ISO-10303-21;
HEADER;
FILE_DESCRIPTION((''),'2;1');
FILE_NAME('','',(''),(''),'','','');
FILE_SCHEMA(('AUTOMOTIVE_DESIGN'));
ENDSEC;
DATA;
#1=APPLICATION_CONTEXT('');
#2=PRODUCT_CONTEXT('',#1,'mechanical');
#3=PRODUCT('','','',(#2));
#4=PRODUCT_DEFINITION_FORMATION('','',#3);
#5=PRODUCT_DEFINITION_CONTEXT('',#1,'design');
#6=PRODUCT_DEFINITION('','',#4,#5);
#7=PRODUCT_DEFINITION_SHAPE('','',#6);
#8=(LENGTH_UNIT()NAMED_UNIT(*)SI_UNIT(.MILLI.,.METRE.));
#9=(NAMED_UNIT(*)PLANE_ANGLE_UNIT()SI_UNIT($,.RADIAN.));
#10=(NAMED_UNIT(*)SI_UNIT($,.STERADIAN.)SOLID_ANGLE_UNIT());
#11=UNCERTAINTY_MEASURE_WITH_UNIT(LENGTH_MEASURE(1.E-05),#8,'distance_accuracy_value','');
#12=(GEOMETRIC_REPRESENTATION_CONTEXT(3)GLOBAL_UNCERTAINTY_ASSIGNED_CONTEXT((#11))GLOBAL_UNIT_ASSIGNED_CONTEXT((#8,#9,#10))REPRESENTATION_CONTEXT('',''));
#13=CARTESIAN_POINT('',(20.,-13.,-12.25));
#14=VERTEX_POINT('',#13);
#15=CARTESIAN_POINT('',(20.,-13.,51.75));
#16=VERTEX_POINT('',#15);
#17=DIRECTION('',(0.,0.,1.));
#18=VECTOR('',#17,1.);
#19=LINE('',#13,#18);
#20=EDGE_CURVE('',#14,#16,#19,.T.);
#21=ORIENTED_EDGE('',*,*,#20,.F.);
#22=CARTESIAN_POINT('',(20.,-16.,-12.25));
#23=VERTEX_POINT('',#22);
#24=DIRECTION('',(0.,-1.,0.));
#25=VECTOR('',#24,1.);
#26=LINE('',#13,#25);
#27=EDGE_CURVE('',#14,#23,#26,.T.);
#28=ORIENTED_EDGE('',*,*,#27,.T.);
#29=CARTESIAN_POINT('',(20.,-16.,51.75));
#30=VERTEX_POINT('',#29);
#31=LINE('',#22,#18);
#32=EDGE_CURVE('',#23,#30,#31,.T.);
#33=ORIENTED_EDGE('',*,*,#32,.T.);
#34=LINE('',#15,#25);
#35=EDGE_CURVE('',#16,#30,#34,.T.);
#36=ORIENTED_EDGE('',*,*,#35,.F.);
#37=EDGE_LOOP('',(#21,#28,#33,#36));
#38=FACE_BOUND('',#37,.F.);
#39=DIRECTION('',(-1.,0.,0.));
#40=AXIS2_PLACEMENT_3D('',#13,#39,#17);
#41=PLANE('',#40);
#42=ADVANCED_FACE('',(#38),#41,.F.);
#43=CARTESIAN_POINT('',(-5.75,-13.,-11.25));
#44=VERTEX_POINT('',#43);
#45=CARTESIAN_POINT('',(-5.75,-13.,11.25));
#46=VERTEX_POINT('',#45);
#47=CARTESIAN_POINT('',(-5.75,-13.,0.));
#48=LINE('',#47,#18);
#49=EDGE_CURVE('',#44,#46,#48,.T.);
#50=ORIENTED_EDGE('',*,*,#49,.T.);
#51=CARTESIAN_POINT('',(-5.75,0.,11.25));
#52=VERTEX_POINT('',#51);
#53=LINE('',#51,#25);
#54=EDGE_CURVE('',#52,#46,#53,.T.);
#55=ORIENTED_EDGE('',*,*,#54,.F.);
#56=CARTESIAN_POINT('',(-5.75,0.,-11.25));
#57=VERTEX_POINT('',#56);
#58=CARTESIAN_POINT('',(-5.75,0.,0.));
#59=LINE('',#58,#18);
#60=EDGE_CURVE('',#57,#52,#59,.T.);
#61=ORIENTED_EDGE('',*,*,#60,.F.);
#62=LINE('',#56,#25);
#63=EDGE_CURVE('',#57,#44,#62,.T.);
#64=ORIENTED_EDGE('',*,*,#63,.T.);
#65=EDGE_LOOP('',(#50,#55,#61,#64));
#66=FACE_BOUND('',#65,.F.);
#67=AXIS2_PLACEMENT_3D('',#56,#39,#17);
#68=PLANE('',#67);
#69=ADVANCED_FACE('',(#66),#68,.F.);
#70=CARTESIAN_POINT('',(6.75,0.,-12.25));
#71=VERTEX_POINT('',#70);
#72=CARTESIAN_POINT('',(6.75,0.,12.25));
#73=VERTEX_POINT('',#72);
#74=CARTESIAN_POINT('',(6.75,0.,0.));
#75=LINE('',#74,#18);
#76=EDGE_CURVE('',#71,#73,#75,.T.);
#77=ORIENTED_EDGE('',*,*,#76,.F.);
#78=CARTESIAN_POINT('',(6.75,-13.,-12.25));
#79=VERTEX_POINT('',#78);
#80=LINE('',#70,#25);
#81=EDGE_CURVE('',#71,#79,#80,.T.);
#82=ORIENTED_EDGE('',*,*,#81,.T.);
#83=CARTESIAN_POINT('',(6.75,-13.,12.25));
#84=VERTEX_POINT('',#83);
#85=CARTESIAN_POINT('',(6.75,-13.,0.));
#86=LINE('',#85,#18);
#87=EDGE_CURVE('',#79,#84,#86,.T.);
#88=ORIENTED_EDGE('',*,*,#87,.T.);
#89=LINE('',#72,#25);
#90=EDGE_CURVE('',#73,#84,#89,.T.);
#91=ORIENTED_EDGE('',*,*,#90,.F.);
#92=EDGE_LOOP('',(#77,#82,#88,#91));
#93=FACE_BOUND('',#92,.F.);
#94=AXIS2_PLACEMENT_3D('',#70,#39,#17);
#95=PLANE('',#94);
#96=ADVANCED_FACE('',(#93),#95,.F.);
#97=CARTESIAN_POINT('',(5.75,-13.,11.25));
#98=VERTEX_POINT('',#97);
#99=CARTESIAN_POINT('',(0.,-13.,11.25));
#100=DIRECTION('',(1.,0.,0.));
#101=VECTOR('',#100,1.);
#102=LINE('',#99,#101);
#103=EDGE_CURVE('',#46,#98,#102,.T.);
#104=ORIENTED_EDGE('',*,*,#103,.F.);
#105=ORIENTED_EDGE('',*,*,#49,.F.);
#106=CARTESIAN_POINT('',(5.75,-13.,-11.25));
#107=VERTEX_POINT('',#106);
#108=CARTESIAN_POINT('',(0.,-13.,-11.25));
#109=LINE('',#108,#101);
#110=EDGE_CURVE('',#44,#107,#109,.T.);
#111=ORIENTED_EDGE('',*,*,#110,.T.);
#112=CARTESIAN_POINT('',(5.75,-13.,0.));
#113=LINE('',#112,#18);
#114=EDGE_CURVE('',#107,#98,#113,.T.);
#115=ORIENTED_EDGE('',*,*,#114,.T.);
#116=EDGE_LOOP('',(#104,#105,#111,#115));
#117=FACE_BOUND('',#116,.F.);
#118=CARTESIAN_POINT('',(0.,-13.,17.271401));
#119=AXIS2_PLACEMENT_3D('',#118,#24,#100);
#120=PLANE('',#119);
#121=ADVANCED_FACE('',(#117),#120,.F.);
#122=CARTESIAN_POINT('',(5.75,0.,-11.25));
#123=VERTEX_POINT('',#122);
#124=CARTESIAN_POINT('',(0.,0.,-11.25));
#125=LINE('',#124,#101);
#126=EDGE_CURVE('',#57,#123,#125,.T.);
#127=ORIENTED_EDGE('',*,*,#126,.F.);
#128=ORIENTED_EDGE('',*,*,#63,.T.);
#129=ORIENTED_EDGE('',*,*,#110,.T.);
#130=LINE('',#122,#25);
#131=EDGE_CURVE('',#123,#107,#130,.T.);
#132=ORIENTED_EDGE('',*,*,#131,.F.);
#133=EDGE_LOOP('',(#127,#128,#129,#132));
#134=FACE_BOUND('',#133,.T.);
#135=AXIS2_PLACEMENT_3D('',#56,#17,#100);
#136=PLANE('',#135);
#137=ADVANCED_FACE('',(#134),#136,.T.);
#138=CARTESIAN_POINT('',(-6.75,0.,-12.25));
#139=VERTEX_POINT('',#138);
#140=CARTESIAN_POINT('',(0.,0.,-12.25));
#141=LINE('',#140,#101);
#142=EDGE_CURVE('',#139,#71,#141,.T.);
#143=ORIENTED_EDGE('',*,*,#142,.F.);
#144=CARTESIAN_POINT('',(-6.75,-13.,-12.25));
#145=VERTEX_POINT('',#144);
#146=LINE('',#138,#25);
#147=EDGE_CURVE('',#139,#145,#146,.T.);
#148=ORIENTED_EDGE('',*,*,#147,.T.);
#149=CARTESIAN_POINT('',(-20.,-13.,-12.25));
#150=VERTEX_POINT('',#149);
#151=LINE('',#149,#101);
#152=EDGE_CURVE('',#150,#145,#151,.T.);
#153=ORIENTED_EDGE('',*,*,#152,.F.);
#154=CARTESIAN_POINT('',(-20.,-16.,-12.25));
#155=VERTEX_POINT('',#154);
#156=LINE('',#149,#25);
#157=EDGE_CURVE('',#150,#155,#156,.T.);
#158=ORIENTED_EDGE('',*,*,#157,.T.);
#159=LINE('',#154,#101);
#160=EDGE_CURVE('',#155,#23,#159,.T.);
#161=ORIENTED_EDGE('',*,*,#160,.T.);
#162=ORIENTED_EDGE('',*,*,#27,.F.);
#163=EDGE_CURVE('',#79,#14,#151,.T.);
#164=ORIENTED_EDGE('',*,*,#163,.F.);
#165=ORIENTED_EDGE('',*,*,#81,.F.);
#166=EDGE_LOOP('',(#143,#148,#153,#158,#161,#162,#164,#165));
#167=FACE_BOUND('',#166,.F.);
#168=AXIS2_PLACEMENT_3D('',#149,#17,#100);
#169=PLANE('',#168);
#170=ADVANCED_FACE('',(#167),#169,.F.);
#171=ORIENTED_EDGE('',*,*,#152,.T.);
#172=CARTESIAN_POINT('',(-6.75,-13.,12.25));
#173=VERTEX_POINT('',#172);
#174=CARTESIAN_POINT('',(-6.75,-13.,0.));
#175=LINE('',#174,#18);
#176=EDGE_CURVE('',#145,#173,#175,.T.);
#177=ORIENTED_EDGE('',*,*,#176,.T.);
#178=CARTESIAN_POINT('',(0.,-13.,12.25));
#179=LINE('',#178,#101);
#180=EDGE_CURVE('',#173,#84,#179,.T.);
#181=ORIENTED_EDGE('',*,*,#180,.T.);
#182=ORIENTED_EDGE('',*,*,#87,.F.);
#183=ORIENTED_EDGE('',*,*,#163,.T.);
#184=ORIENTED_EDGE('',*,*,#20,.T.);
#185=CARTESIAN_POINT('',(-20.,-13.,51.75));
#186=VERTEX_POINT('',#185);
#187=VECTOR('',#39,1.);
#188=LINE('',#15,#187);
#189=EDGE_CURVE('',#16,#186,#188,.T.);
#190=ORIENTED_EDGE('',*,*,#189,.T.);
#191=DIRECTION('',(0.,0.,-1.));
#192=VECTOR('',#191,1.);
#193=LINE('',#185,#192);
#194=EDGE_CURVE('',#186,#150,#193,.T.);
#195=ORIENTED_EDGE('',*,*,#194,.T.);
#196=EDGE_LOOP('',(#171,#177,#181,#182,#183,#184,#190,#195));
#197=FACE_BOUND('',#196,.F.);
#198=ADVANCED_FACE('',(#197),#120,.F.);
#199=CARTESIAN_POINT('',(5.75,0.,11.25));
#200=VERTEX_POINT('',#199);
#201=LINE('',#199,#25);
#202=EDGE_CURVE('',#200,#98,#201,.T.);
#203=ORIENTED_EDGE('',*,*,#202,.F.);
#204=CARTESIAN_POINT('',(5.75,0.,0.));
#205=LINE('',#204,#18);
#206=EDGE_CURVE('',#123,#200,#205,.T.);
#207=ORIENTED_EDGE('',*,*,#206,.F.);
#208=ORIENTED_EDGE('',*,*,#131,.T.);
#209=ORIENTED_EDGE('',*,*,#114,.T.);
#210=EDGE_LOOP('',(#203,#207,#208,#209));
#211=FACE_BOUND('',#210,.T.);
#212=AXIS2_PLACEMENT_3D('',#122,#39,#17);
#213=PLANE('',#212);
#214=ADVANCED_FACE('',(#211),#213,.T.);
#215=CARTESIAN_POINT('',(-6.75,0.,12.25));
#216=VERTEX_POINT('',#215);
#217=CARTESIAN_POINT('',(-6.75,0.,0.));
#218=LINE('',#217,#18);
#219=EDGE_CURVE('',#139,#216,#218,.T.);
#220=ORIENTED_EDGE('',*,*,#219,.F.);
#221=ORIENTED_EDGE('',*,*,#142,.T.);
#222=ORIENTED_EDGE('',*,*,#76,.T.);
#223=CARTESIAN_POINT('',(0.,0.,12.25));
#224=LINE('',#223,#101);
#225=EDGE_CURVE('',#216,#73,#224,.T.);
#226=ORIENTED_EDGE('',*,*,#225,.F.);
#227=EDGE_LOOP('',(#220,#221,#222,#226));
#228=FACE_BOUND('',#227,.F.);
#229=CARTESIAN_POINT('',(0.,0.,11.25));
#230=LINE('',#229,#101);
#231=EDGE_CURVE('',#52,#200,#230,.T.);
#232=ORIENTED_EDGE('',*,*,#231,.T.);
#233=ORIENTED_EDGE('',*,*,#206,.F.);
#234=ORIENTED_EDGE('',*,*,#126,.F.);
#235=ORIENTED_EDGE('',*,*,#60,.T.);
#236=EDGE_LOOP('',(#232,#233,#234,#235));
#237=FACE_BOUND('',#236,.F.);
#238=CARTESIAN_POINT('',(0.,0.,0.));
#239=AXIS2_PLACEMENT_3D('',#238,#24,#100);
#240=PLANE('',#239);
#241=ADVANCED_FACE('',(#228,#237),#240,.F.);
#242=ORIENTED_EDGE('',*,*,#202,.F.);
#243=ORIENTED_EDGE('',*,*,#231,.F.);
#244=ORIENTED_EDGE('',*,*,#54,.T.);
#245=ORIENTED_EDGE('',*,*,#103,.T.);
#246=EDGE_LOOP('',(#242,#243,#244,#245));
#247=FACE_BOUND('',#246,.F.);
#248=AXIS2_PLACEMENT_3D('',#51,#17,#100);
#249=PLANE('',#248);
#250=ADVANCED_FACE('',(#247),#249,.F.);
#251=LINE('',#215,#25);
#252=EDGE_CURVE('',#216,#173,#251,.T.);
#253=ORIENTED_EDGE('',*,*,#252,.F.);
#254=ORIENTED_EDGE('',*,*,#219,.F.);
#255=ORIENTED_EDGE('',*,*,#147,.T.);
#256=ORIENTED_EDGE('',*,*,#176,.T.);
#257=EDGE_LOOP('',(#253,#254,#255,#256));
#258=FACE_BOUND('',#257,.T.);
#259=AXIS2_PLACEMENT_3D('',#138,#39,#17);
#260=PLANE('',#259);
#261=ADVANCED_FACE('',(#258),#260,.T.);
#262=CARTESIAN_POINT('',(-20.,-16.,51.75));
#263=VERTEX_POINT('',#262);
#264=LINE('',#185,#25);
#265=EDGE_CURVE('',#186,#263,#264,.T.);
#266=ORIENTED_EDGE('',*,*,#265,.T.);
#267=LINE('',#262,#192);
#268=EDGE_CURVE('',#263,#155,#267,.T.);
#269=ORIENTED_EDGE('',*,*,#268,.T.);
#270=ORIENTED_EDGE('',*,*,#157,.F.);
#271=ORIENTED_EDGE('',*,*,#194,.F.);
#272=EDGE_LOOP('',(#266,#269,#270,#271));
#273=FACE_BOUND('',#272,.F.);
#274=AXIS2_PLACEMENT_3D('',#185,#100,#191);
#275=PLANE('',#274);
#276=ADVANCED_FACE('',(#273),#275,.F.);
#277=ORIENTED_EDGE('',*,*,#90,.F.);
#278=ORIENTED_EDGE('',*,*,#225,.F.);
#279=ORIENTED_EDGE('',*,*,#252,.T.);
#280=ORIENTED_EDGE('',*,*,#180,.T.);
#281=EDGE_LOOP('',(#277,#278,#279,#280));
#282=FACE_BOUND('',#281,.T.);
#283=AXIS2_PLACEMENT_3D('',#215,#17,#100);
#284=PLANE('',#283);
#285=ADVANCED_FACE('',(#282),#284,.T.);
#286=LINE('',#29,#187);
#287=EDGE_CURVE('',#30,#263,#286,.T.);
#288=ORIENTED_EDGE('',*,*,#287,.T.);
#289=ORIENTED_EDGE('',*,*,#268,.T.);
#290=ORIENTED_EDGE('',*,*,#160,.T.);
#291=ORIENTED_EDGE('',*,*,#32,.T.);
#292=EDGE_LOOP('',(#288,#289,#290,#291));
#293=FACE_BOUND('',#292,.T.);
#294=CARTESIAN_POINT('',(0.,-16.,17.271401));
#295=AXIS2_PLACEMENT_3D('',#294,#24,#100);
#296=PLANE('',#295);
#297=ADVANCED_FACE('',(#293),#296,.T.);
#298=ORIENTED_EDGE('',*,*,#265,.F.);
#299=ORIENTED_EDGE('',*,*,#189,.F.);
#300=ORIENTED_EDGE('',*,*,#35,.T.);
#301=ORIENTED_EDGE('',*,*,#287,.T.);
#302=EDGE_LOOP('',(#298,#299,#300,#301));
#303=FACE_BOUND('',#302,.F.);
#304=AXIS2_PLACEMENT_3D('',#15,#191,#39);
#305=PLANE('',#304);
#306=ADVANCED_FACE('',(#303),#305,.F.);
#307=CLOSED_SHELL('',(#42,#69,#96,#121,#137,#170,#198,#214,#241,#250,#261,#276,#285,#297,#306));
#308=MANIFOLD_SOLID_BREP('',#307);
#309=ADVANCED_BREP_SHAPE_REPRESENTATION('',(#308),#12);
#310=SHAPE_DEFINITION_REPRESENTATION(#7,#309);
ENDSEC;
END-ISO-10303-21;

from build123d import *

# Parameters (mm, degrees)
F0_W     = 13.5
F0_H     = 24.5
F0_W_2   = 11.5
F0_H_2   = 22.5
F1_DEPTH = 13
F2_W     = 13.5
F2_H     = 24.5
F2_W_2   = 11.5
F2_H_2   = 22.5
F3_DEPTH = 3


with BuildPart() as f1:
    # F0 (on Front) → F1 (new body)
    with BuildSketch(Plane.XZ):
        Rectangle(F0_W, F0_H)
        Rectangle(F0_W_2, F0_H_2, mode=Mode.SUBTRACT)
    extrude(amount=F1_DEPTH)

    # F2 (on face) → F3 (join)
    with BuildSketch(Plane.XZ.offset(13)):
        Polygon((-20, 51.75), (-20, -12.25), (-6.75, -12.25), (-6.75, 12.25), (6.75, 12.25), (6.75, -12.25), (20, -12.25), (20, 51.75), align=None)
        Rectangle(F2_W, F2_H)
        Rectangle(F2_W_2, F2_H_2, mode=Mode.SUBTRACT)
        Rectangle(F2_W_2, F2_H_2)
    extrude(amount=F3_DEPTH)


solid = f1.part
